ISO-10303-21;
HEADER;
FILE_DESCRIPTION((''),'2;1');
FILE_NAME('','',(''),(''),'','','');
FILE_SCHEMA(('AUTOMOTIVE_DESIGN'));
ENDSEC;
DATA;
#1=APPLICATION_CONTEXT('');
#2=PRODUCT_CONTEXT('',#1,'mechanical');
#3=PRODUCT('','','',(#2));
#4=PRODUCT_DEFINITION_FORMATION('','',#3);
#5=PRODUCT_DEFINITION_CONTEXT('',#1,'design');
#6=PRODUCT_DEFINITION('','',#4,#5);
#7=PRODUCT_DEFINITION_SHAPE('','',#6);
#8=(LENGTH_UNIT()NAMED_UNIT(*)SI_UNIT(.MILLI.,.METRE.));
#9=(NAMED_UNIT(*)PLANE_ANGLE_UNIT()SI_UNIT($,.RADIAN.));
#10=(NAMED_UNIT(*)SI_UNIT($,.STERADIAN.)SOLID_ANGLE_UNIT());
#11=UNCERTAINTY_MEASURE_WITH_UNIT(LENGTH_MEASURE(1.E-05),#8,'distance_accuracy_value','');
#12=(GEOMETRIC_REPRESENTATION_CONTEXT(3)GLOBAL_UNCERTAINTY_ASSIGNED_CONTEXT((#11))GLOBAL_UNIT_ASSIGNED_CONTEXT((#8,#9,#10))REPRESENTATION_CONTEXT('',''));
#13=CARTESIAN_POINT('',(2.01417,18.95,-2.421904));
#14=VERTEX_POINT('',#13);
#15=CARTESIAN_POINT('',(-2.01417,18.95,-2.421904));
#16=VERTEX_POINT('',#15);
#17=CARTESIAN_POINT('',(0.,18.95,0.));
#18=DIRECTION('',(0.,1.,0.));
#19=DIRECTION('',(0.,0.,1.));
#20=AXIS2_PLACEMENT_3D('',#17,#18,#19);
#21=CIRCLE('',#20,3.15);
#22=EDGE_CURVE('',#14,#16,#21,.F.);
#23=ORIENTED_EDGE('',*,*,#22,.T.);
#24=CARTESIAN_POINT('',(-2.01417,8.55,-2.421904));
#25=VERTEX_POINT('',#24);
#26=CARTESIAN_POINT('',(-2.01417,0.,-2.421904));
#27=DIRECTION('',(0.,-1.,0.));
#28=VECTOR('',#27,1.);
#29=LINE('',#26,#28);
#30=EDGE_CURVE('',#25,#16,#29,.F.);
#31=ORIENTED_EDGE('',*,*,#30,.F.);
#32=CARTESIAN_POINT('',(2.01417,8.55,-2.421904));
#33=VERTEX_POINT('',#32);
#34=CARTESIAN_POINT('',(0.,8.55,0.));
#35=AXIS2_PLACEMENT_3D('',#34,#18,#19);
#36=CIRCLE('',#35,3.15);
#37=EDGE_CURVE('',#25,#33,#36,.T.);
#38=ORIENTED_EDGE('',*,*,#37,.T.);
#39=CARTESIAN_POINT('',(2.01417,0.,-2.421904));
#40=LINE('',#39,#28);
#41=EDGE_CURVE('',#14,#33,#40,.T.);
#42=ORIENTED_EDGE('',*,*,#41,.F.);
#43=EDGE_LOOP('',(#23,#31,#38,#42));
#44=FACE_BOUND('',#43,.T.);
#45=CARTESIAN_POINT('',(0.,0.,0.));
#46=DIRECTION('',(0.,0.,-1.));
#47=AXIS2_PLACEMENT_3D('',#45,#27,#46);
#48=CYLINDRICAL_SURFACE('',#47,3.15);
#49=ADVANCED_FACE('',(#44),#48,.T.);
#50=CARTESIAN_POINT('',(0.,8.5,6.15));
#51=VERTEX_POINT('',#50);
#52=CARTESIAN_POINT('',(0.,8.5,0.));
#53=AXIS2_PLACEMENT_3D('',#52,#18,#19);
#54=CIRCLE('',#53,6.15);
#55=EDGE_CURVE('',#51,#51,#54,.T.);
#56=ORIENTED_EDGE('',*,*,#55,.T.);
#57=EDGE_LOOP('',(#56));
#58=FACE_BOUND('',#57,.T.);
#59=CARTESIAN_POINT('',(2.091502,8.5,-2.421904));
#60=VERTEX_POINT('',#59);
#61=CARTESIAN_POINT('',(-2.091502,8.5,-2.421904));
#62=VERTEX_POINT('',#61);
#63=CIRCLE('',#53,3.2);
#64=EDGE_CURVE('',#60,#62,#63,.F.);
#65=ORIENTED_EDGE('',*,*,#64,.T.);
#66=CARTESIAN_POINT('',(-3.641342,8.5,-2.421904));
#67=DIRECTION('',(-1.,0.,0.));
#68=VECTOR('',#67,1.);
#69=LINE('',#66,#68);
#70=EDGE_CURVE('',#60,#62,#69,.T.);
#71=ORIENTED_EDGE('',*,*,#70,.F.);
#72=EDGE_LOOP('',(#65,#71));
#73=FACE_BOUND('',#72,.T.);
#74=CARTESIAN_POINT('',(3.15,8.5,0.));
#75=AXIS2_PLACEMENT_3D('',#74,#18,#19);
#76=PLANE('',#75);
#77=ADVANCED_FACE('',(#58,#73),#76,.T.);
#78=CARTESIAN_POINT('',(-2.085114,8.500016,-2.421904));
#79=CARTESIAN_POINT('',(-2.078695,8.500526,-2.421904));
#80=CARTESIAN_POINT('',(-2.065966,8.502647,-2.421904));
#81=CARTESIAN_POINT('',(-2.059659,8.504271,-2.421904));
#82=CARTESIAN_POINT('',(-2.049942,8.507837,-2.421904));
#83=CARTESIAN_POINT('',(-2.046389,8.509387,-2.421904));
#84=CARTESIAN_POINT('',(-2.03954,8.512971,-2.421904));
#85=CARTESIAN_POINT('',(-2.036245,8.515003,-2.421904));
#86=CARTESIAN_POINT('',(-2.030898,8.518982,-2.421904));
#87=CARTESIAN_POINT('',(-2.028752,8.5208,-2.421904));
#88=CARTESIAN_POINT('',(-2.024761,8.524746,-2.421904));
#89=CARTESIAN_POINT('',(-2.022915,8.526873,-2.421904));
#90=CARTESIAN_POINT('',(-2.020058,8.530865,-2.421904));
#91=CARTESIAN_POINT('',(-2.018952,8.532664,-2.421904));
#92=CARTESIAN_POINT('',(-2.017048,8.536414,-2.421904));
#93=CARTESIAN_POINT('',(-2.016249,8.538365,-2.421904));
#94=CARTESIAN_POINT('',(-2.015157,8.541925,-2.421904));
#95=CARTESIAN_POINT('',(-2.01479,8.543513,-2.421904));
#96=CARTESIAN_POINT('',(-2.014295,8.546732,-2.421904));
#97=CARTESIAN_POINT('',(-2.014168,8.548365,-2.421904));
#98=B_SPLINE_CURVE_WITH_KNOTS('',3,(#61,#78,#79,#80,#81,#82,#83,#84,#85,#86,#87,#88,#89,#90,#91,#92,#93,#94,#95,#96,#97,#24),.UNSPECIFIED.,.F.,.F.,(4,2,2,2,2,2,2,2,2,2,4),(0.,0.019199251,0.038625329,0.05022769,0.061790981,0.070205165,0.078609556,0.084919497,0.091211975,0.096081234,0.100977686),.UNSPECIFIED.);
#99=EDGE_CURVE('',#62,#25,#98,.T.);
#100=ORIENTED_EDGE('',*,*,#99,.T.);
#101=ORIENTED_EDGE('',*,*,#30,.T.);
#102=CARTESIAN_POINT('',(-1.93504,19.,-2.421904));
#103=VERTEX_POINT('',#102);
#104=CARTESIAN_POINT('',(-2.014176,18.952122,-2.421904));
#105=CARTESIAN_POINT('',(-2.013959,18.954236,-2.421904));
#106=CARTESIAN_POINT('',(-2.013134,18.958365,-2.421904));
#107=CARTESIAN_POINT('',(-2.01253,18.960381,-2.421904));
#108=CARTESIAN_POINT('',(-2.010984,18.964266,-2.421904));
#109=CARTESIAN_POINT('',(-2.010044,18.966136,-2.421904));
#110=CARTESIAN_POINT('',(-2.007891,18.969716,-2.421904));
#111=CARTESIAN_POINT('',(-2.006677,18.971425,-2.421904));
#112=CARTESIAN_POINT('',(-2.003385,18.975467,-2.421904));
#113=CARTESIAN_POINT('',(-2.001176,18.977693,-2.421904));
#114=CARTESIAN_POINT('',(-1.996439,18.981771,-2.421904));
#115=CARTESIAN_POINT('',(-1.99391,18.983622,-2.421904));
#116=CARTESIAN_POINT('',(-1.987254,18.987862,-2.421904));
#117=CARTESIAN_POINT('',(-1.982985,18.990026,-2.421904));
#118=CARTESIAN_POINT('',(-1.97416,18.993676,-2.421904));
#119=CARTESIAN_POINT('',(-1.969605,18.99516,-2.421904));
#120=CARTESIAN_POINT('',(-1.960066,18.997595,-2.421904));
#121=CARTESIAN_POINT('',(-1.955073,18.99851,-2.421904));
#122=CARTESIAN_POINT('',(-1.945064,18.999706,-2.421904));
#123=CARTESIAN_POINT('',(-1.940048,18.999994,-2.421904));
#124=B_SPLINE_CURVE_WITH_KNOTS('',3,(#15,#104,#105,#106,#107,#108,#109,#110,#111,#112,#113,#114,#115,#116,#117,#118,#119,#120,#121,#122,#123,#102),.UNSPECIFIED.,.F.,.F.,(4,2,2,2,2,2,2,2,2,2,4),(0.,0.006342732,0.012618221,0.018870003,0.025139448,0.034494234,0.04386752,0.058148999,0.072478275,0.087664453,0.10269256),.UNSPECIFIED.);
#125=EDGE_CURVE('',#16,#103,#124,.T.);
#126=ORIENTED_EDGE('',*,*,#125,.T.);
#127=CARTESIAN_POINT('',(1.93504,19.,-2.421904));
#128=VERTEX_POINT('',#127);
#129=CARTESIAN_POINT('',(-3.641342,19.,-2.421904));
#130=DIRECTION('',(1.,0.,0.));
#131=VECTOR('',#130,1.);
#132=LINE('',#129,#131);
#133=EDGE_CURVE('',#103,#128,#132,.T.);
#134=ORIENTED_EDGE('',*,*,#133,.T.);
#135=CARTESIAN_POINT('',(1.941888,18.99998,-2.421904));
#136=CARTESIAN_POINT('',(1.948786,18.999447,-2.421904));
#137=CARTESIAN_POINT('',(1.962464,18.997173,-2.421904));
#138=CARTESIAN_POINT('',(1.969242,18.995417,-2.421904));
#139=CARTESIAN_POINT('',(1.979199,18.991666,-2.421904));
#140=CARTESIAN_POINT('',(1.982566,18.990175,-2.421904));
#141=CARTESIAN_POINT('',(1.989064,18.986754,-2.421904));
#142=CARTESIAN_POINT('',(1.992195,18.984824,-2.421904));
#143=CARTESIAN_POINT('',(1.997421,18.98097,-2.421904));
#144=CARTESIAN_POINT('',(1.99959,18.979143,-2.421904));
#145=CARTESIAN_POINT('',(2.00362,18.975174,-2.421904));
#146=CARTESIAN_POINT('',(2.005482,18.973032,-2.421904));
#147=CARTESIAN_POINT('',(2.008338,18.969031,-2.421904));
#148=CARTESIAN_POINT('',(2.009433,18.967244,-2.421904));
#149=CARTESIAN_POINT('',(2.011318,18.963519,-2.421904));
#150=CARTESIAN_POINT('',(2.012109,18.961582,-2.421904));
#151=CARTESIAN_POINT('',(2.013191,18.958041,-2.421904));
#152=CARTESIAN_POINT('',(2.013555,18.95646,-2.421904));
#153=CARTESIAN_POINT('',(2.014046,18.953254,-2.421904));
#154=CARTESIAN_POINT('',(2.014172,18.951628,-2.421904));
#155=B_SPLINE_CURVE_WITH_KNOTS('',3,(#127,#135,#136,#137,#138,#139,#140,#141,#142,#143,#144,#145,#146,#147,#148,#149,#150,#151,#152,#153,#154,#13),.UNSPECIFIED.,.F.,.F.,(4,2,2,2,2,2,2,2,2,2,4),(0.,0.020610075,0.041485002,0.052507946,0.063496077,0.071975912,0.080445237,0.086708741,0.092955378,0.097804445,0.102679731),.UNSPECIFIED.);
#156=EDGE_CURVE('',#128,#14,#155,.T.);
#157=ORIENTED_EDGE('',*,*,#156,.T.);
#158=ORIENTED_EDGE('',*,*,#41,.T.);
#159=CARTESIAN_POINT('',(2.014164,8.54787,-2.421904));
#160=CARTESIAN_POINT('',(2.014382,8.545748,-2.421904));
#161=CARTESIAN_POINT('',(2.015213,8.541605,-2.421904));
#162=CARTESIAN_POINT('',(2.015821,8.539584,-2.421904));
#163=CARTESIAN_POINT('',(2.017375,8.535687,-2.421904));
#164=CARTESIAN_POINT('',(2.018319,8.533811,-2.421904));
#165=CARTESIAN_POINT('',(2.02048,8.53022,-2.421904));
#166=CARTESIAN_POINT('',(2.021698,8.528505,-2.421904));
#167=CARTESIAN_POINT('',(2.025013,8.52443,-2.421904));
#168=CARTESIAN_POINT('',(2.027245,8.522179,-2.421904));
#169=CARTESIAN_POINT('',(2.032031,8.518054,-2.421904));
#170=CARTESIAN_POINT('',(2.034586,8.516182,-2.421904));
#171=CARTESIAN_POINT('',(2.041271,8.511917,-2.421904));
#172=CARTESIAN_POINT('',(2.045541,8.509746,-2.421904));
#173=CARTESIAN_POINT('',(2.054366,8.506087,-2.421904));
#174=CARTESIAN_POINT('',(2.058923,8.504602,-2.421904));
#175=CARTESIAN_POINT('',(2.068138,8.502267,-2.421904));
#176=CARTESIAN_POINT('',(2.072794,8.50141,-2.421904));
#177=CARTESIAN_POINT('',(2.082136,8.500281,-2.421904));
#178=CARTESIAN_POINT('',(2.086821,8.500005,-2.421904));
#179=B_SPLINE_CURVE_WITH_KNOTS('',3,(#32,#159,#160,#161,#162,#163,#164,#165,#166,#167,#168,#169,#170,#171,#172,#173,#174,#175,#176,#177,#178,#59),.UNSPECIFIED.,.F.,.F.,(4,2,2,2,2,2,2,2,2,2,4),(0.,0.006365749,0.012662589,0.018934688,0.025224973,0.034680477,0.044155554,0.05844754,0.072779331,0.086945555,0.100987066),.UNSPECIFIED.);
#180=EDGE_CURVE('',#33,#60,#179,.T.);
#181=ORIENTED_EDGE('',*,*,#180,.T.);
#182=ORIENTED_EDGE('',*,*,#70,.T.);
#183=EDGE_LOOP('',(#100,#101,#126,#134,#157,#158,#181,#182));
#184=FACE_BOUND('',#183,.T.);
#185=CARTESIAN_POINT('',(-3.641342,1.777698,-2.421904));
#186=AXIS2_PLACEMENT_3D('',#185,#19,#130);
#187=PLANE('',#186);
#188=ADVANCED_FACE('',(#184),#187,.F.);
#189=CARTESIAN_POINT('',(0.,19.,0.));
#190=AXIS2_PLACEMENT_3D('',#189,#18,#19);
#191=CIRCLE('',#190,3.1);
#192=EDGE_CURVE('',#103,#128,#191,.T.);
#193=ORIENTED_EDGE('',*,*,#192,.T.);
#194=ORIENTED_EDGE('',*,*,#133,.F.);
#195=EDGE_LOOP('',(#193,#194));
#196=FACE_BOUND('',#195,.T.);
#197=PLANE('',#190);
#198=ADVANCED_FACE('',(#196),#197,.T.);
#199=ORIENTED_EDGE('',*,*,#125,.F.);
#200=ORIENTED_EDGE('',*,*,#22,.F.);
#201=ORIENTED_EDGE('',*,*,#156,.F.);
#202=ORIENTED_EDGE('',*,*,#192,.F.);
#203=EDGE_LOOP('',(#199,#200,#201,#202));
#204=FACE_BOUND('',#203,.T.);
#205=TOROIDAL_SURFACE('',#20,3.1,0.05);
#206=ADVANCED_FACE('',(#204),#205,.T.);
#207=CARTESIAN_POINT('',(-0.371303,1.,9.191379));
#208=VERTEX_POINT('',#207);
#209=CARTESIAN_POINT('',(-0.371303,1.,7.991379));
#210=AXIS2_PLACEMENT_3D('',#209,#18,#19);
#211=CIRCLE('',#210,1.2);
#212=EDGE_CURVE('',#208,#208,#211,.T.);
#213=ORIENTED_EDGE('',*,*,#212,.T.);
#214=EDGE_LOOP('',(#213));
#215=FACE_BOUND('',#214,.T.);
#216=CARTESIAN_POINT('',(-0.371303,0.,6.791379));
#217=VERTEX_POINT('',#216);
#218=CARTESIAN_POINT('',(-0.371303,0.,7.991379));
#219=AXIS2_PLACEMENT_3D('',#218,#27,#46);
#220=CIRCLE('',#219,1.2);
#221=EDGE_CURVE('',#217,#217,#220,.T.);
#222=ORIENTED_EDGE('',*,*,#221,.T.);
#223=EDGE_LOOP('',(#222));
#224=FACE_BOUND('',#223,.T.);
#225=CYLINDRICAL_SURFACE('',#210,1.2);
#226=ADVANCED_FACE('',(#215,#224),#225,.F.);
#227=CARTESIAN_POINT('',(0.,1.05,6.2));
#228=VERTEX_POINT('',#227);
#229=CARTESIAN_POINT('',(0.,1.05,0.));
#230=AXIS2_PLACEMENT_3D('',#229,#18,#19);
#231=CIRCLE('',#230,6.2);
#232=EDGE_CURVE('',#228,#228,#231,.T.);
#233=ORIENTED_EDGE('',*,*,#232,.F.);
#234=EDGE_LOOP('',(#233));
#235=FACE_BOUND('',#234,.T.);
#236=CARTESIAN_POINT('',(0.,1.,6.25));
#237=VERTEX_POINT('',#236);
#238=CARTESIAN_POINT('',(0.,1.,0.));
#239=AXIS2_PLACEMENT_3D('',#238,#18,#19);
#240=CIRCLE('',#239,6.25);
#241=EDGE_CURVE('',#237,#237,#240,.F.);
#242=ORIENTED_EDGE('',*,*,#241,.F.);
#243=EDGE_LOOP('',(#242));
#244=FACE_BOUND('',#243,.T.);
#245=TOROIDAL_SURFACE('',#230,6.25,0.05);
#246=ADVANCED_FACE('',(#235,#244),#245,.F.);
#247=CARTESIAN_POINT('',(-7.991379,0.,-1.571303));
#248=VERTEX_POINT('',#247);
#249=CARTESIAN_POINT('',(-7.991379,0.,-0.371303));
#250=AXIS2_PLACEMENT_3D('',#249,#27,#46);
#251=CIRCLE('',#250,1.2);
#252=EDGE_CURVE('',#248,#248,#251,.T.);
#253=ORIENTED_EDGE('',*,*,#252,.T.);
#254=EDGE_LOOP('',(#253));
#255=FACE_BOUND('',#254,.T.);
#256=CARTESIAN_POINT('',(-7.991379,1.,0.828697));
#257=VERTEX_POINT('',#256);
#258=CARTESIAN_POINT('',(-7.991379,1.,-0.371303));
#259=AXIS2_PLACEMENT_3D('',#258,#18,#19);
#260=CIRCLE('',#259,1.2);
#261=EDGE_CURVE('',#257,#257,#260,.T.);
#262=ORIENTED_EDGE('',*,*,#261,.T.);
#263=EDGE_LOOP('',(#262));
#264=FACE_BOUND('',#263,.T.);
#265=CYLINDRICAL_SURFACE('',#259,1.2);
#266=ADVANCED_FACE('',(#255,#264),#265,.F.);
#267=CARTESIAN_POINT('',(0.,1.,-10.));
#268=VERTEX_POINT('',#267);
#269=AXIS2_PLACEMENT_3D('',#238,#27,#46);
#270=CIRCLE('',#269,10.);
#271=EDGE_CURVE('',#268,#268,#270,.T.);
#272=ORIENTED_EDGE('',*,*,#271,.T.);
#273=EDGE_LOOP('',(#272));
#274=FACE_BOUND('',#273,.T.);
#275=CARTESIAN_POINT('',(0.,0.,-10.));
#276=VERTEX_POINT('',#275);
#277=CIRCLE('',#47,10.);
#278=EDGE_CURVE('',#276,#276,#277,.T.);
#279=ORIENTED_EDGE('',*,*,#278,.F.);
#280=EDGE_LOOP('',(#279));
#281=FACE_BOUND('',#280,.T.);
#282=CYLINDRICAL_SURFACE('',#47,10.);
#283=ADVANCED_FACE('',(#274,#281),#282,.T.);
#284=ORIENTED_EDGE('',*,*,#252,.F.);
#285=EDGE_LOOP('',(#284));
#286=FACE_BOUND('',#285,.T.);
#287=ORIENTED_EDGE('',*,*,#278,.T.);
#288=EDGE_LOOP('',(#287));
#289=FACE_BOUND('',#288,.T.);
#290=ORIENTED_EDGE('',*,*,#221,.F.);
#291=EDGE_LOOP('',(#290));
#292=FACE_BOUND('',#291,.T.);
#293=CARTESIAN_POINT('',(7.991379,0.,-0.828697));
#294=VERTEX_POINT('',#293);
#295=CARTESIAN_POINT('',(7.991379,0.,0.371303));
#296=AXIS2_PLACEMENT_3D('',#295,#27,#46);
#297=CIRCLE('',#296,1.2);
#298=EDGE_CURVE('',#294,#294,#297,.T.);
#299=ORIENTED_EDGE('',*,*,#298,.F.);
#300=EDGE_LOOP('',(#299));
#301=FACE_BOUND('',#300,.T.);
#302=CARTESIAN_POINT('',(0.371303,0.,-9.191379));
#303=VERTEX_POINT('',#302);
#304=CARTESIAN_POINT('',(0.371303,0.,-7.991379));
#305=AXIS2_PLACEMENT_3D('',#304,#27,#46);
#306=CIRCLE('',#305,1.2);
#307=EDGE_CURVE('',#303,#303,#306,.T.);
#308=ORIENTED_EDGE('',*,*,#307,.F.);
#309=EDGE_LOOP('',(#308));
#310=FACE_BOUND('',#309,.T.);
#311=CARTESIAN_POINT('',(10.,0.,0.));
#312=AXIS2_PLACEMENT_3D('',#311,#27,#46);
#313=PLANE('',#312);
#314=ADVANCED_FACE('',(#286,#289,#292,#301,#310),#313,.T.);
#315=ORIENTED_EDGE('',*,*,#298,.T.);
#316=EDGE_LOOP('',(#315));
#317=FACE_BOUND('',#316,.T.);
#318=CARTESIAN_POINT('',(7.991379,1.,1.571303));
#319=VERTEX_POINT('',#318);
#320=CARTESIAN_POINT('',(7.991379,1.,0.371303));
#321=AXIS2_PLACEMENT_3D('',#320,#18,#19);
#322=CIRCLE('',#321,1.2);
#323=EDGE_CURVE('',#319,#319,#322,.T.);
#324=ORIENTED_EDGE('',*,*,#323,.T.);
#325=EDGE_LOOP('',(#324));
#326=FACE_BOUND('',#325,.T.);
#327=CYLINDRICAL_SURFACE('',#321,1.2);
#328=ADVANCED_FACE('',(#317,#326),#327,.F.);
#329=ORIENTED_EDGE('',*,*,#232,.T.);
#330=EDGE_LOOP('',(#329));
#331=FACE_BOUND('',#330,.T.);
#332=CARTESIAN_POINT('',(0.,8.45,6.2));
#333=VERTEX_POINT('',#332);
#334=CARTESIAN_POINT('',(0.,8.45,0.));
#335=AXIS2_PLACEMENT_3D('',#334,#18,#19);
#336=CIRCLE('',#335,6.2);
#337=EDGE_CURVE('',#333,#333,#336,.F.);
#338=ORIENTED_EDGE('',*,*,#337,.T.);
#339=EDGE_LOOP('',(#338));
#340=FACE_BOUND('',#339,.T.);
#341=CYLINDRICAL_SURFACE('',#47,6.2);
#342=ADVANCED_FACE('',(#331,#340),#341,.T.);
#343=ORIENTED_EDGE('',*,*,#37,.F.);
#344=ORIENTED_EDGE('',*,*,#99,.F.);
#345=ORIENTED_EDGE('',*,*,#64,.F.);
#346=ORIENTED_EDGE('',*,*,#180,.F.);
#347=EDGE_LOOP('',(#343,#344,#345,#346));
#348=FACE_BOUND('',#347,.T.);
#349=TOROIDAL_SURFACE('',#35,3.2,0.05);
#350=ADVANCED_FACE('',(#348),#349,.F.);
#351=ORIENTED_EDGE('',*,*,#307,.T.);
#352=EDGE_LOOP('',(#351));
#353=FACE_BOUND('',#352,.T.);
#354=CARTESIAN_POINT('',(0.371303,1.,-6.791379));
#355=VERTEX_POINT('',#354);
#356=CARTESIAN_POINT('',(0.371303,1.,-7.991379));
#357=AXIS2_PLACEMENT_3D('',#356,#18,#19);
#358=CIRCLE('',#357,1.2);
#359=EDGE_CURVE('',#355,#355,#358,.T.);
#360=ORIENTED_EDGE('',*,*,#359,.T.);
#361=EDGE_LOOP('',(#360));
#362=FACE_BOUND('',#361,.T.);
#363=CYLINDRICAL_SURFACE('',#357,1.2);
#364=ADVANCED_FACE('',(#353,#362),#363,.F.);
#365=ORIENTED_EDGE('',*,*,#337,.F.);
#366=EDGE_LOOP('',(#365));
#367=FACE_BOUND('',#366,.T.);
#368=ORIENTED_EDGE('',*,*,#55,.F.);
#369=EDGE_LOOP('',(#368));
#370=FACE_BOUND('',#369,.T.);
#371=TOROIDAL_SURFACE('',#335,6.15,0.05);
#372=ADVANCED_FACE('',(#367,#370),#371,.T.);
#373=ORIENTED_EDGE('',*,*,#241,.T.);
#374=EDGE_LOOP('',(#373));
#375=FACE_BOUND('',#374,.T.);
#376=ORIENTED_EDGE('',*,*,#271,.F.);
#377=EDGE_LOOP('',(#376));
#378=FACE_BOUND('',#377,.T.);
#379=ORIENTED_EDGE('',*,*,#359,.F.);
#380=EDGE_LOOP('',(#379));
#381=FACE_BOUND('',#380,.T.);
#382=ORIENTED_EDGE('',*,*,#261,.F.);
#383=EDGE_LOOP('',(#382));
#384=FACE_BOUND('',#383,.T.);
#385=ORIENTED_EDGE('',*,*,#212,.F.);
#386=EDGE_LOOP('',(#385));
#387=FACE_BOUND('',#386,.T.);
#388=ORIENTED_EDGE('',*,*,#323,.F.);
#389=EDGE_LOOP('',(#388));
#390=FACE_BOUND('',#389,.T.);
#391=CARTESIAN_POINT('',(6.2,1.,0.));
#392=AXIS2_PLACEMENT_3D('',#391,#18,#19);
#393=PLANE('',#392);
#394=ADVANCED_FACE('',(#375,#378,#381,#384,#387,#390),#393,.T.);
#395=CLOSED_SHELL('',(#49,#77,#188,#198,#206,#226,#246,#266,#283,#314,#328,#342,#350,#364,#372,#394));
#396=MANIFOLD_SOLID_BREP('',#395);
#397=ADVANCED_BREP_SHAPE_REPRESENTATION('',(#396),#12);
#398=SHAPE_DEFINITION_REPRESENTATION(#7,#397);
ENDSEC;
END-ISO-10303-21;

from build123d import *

# Parameters (mm, degrees)
ESQUISSE3_W                  = 6.57785754
ESQUISSE3_H                  = 1.386048805
ENL_V_MAT_EXTRU_1_DEPTH      = 10.5
D_GAGEMENT_M21_D             = 2.4
R_P_TITION_CIRCULAIRE1_COUNT = 4
CONG_1_R                     = 0.05


with BuildPart() as part:
    # Esquisse2 → Révolution2 (revolve)
    with BuildSketch(Plane.XY, mode=Mode.PRIVATE) as r_volution2_sk:
        Polygon((0, 19), (3.15, 19), (3.15, 8.5), (6.2, 8.5), (6.2, 3), (6.2, 1), (10, 1), (10, 0), (0, 0), align=None)
    revolve(r_volution2_sk.sketch.rotate(Axis((0, 0, 0), (0, 1, 0)), 90), axis=Axis((0, 0, 0), (0, 1, 0)))

    # Esquisse3 → Enlèv. mat.-Extru.1 (cut)
    with BuildSketch(Plane(origin=(0, 19, 0), x_dir=(1, 0, 0), z_dir=(0, 1, 0))):
        with Locations((-0.352413472, 3.114928535)):
            Rectangle(ESQUISSE3_W, ESQUISSE3_H)
    extrude(amount=-ENL_V_MAT_EXTRU_1_DEPTH, mode=Mode.SUBTRACT)

    # Dégagement M21 (through all)
    with Locations(Plane(origin=(0, 1, 0), x_dir=(1, 0, 0), z_dir=(0, 1, 0))):
        with Locations((0.371303159, 7.991378727)):
            d_gagement_m21 = Hole(D_GAGEMENT_M21_D / 2)

    # Répétition circulaire1: Dégagement M21 ×4 about axis
    r_p_tition_circulaire1_axis = Axis((0, 0, 0), (0, 1, 0))
    for i in range(1, R_P_TITION_CIRCULAIRE1_COUNT):
        add(d_gagement_m21.rotate(r_p_tition_circulaire1_axis, i * 360 / R_P_TITION_CIRCULAIRE1_COUNT), mode=Mode.SUBTRACT)

    # Congé1
    cong_1_edges = [part.edges().sort_by_distance(p)[0] for p in [
        (0, 1, 6.2),
        (0, 8.5, 6.2),
        (0, 8.5, 3.15),
        (0, 19, 3.15),
    ]]
    fillet(cong_1_edges, radius=CONG_1_R)


solid = part.part
